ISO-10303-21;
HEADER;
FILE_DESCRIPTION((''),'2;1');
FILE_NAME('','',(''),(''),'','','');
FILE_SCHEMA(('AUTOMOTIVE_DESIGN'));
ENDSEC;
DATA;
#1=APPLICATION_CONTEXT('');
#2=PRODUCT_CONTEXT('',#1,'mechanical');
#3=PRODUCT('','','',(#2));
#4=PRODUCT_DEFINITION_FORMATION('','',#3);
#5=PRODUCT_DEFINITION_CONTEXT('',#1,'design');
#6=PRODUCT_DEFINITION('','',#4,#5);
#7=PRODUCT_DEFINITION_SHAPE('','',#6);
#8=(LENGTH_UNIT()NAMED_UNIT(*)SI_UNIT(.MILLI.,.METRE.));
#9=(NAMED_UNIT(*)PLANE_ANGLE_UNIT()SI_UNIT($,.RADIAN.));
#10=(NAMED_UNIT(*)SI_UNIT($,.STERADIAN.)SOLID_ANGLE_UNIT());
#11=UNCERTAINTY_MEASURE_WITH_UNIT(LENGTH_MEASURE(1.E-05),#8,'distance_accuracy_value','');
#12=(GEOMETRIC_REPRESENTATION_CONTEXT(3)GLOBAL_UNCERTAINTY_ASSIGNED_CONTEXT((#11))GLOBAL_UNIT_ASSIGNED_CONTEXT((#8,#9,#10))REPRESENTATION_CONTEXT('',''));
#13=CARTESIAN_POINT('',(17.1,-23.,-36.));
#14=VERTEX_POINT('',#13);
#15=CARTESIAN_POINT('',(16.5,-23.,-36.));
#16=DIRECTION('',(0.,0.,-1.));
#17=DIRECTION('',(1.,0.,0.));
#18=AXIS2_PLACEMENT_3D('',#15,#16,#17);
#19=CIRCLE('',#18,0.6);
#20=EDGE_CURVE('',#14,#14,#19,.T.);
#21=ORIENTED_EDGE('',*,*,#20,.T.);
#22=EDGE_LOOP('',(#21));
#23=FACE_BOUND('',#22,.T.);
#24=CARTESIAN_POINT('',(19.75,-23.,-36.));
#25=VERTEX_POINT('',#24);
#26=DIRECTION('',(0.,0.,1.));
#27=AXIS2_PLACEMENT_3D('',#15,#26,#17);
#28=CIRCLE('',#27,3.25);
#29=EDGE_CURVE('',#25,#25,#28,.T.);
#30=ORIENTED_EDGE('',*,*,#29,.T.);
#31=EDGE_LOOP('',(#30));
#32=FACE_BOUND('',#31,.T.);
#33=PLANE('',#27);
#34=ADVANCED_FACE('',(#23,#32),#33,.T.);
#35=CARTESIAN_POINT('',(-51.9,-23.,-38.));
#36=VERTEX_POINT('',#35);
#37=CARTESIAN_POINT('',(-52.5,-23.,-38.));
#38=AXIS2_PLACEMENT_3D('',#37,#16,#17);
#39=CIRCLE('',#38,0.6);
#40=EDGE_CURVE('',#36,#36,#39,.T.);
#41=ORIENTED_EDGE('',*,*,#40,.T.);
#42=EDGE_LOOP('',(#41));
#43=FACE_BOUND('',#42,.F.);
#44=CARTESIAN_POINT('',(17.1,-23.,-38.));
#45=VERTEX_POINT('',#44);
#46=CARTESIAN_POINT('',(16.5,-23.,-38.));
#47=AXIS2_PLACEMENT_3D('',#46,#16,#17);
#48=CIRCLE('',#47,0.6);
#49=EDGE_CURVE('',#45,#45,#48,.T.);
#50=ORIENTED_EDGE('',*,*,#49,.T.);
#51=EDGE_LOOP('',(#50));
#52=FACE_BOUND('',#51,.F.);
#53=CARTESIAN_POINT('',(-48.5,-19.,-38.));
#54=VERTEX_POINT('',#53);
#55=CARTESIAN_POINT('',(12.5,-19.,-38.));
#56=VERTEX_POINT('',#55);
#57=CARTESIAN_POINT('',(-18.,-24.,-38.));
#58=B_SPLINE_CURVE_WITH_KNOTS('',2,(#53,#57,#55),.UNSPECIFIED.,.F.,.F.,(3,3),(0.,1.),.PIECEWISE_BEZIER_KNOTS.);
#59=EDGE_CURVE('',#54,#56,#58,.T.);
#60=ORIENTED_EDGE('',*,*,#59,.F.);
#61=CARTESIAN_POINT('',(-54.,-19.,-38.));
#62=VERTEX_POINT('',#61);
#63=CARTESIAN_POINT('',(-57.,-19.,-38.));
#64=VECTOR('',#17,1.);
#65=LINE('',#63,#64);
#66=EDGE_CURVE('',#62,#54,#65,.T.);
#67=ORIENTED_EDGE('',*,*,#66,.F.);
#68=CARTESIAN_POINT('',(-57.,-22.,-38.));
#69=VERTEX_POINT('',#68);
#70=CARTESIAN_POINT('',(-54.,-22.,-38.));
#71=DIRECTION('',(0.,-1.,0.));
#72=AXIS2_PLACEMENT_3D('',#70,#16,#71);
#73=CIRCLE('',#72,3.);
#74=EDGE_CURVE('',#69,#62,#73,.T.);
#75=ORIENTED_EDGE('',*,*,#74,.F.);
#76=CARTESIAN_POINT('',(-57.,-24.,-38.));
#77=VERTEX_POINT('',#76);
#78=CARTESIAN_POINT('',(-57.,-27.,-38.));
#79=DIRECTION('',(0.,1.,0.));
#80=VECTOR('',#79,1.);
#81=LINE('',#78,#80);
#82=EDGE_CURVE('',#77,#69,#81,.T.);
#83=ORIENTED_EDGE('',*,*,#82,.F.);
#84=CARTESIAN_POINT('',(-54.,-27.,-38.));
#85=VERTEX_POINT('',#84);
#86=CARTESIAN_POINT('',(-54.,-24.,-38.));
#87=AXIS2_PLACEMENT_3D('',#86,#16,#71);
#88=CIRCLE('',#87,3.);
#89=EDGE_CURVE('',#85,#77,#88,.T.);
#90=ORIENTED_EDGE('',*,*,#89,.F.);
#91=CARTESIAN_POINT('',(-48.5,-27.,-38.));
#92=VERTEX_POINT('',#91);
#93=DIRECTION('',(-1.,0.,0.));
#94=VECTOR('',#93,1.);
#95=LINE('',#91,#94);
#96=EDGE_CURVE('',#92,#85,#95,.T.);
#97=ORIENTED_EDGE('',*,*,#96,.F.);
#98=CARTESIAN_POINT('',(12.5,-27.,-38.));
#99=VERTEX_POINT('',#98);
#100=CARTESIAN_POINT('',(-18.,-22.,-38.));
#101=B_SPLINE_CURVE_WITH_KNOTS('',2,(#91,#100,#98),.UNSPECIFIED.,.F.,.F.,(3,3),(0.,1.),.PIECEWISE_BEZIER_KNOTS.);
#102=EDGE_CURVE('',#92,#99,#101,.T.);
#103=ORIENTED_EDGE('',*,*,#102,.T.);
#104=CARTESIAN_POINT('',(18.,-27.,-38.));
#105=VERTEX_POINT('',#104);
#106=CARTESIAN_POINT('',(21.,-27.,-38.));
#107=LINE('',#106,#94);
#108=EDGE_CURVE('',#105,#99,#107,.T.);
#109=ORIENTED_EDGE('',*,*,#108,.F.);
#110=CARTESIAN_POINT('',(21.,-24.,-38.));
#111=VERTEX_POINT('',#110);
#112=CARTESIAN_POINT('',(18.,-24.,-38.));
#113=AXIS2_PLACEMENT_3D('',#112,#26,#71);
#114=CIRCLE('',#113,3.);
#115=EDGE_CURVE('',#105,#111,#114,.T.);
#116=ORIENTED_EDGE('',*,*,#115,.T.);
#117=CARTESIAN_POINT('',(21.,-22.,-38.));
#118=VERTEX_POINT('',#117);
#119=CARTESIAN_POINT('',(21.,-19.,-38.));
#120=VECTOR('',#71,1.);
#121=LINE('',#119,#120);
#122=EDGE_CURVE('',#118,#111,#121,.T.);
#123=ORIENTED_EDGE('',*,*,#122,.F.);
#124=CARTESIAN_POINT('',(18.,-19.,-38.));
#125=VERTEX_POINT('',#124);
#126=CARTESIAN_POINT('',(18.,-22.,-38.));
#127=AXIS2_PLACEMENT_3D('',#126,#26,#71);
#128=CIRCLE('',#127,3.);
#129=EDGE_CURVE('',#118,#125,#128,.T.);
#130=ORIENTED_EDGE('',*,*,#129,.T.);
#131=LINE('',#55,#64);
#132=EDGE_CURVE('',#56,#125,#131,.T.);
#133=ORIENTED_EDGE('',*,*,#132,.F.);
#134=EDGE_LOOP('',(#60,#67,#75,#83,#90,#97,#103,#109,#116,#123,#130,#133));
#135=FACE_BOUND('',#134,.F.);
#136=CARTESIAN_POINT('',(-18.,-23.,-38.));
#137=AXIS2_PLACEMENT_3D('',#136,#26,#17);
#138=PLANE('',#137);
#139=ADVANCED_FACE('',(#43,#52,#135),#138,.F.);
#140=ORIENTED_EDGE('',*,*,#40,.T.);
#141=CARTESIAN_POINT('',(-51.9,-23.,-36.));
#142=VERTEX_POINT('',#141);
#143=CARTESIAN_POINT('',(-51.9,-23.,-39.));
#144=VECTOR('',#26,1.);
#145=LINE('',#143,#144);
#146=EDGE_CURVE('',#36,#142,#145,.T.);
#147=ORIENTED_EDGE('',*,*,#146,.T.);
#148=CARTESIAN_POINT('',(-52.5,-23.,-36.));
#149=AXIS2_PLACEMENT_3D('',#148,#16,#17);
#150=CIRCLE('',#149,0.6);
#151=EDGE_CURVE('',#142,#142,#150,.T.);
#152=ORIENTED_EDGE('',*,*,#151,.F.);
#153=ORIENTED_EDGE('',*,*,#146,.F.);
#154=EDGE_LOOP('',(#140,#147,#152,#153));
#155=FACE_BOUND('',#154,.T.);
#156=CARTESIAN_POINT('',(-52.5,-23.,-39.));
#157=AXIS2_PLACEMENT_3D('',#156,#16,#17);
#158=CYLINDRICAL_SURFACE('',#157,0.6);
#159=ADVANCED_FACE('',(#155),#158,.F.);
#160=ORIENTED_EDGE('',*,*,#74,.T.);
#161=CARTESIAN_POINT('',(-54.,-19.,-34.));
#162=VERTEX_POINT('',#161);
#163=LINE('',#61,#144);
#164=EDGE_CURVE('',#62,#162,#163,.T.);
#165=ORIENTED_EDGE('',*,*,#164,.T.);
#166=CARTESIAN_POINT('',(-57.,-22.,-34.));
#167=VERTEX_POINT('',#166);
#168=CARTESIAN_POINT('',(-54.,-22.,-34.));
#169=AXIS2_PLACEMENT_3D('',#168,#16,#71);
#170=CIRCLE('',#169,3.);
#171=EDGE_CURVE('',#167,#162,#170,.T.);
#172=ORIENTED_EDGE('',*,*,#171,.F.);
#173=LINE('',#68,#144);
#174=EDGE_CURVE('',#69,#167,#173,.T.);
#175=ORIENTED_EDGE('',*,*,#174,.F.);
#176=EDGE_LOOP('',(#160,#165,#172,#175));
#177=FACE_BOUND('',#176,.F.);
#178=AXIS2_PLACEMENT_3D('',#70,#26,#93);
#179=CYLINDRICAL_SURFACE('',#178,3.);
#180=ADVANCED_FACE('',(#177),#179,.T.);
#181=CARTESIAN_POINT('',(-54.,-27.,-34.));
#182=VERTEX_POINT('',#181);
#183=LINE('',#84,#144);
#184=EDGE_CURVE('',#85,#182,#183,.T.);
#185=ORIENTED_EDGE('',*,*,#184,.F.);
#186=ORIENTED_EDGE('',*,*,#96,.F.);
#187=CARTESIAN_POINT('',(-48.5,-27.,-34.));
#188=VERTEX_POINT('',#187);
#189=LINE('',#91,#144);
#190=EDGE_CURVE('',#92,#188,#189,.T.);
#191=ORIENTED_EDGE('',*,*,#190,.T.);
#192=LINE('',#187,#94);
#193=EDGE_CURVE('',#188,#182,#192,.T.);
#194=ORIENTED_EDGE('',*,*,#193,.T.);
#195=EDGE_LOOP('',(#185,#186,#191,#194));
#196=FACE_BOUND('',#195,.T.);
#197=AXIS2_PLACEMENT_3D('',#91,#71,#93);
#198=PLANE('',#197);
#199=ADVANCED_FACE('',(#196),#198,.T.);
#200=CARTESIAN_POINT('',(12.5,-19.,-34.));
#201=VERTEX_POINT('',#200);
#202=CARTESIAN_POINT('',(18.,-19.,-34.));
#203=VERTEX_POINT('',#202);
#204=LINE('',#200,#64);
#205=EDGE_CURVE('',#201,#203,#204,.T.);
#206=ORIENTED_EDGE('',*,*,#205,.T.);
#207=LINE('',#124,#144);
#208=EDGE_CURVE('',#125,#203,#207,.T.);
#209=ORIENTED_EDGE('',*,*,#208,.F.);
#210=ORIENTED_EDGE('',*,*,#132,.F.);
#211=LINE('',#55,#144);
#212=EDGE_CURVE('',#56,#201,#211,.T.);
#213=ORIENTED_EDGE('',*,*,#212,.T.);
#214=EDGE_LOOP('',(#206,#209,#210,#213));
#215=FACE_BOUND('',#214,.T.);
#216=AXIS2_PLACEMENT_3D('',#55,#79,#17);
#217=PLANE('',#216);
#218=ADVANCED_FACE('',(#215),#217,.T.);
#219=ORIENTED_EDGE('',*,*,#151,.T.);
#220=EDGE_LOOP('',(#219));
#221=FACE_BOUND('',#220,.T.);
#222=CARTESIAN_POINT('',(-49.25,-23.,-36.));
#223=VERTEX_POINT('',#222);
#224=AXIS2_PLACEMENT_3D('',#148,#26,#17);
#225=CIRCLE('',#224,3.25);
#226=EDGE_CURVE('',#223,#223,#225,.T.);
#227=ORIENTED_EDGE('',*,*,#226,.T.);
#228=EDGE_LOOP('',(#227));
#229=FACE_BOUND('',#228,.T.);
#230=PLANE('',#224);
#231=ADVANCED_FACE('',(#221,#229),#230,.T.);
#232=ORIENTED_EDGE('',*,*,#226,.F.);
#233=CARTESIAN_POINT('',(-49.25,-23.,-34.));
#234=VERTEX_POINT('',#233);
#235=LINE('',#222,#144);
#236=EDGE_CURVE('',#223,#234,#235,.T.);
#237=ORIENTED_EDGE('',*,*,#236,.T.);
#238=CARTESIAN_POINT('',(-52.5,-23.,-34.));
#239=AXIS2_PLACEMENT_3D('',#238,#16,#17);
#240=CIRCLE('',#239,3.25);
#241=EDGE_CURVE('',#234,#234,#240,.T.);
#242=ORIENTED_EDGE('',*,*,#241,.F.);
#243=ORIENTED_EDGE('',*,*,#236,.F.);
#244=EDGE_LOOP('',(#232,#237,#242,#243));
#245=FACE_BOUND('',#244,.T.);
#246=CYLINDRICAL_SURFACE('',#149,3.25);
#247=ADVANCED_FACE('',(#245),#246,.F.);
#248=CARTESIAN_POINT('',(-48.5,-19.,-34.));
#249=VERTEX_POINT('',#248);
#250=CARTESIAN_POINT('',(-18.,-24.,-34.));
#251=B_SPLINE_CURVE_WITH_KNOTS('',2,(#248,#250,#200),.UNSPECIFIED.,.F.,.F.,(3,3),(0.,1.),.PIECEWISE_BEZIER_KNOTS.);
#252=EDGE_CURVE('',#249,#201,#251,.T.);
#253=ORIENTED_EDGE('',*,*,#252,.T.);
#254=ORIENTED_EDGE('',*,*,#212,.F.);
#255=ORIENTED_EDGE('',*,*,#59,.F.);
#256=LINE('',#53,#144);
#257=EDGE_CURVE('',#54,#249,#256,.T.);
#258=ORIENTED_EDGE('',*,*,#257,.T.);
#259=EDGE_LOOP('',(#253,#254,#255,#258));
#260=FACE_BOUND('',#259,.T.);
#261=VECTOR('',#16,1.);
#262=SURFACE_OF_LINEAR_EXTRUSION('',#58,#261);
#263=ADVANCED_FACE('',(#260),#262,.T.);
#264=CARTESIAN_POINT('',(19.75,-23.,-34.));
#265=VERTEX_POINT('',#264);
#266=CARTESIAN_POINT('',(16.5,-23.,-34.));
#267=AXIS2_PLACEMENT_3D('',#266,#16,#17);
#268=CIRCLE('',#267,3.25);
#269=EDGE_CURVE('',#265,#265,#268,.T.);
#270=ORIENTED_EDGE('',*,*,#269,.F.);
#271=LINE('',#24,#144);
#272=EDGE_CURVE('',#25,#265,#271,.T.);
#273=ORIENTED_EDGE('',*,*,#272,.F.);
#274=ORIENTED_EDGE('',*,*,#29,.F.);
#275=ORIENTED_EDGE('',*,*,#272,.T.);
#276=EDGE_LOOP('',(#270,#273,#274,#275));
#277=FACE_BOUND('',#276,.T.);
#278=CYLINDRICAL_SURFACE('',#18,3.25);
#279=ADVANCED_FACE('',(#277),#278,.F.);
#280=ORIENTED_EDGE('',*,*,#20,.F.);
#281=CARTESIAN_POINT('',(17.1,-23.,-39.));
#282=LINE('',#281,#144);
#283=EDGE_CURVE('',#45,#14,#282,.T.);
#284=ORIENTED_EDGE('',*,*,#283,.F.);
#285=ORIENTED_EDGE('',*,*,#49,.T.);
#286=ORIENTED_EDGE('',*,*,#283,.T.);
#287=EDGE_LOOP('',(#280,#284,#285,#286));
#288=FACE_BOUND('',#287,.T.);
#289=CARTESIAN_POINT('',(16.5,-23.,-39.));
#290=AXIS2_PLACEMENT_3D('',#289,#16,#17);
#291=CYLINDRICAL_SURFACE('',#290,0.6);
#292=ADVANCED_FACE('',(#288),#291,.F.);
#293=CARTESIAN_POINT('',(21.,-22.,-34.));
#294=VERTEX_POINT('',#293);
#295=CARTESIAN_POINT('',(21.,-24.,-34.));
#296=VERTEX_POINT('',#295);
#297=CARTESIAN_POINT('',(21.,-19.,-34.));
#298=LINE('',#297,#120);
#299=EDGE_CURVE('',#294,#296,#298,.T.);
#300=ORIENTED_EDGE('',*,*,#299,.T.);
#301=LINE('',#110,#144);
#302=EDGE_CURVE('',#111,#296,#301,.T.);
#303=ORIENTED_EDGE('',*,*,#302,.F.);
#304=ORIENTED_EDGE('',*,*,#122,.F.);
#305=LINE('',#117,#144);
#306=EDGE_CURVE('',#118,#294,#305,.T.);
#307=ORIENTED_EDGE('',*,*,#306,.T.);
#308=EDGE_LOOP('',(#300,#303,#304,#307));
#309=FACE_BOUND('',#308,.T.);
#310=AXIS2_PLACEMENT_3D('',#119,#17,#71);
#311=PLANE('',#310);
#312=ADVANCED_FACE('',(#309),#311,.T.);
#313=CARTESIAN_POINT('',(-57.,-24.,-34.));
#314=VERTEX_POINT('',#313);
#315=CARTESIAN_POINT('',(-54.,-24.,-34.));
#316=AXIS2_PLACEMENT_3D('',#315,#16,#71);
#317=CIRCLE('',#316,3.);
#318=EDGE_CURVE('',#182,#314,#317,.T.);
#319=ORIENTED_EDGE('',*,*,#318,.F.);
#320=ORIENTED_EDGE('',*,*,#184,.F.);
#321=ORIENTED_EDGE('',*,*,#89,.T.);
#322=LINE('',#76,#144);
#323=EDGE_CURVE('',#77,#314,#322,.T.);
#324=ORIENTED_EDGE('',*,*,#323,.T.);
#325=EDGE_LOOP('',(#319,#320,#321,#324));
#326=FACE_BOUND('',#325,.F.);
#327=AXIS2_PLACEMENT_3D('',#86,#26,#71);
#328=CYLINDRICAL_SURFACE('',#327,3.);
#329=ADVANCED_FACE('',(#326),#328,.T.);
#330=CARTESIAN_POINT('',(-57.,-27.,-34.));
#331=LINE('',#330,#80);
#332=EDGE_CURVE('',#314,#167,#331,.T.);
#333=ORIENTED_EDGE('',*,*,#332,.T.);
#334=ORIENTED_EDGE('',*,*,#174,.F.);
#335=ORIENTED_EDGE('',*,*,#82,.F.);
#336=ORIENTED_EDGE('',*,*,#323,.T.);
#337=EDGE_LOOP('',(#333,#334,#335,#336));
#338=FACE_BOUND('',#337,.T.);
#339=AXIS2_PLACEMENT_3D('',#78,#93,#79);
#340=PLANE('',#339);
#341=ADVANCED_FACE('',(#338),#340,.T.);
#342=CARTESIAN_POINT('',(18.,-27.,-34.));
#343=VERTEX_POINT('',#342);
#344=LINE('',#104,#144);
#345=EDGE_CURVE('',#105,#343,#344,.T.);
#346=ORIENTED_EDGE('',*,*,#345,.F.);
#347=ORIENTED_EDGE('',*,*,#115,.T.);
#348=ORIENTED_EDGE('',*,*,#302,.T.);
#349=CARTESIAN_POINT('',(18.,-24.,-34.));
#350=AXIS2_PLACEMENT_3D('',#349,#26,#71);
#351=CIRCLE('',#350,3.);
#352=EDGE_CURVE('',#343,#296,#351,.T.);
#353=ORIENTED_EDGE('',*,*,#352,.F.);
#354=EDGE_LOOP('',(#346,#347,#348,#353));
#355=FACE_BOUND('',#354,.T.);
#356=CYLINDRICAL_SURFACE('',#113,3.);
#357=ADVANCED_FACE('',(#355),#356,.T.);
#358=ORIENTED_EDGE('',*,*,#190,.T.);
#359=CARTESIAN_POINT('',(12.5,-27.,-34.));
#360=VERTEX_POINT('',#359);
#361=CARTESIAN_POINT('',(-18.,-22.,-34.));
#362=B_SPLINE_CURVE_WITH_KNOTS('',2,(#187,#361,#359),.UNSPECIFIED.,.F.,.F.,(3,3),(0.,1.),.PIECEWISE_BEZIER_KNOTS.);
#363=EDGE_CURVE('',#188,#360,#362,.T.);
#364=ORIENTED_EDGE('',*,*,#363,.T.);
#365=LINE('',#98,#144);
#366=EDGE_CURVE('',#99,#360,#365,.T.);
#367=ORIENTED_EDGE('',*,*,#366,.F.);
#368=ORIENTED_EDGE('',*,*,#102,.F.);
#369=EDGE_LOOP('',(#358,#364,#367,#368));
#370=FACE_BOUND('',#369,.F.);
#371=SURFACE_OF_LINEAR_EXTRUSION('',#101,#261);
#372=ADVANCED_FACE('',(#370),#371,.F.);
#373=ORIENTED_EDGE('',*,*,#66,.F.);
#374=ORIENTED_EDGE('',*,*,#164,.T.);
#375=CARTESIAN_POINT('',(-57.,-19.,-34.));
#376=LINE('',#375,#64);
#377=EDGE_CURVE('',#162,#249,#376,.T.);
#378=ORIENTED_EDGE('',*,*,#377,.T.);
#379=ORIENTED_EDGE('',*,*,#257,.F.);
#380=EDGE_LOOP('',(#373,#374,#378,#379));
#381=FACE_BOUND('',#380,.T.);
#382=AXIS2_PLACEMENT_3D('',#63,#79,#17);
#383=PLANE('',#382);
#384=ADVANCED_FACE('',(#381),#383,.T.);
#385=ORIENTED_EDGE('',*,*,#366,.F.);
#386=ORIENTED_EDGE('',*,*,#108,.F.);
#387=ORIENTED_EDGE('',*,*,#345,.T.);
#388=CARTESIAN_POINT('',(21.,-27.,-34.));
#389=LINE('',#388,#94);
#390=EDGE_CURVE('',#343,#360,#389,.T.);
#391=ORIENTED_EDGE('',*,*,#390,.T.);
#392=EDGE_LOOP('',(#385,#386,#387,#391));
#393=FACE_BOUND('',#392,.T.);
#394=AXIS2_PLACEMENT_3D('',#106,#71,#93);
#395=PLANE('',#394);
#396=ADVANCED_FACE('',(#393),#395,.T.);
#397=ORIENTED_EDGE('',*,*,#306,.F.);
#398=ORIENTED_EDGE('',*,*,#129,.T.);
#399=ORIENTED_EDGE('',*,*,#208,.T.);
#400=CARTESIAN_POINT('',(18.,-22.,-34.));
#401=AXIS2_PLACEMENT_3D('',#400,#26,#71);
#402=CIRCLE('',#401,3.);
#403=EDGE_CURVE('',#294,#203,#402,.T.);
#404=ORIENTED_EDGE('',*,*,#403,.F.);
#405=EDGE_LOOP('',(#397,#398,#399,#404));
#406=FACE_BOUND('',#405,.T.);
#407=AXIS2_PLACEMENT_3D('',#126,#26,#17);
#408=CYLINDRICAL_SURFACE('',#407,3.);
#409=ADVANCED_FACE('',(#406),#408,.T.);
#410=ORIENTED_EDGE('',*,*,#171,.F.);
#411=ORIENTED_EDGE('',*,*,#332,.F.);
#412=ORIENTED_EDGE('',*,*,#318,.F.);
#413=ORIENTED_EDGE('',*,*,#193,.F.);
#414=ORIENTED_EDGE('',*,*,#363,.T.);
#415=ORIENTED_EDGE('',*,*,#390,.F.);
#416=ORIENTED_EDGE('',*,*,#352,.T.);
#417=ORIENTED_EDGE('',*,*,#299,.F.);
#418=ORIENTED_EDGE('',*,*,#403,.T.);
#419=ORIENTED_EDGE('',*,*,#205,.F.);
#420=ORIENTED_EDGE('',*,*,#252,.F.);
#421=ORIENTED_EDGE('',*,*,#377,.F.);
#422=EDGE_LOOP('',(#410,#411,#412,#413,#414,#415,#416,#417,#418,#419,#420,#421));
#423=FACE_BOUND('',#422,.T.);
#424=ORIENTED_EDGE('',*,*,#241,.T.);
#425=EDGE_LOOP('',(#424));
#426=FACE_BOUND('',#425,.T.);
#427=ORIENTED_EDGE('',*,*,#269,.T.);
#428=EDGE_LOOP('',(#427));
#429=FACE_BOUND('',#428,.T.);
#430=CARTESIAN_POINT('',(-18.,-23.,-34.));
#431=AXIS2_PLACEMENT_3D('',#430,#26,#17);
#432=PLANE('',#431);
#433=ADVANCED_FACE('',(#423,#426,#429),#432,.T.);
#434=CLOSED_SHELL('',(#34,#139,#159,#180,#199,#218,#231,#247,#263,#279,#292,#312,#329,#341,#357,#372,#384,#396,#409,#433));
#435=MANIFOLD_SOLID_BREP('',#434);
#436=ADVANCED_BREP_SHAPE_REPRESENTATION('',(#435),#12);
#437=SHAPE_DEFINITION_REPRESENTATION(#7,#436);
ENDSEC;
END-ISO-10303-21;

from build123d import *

# Parameters (mm, degrees)
CYLINDER134_R     = 3.25
CYLINDER134_DEPTH = 3.5
CYLINDER136_R     = 0.6
CYLINDER136_DEPTH = 9.5
CYLINDER135_R     = 0.6
CYLINDER135_DEPTH = 9.5
CYLINDER133_R     = 3.25
CYLINDER133_DEPTH = 3.5
PAD012_DEPTH      = 4
FILLET076_R       = 3


with BuildPart() as zylinder134:
    # Cylinder134 → Cylinder134 (new body)
    with BuildSketch(Plane(origin=(-52.5, 23, -36), x_dir=(1, 0, 0), z_dir=(0, 0, 1))):
        Circle(CYLINDER134_R)
    extrude(amount=CYLINDER134_DEPTH)


with BuildPart() as zylinder136:
    # Cylinder136 → Cylinder136 (new body)
    with BuildSketch(Plane(origin=(16.5, 23, -39), x_dir=(1, 0, 0), z_dir=(0, 0, 1))):
        Circle(CYLINDER136_R)
    extrude(amount=CYLINDER136_DEPTH)


with BuildPart() as zylinder135:
    # Cylinder135 → Cylinder135 (new body)
    with BuildSketch(Plane(origin=(-52.5, 23, -39), x_dir=(1, 0, 0), z_dir=(0, 0, 1))):
        Circle(CYLINDER135_R)
    extrude(amount=CYLINDER135_DEPTH)


with BuildPart() as fusion087:
    # Cylinder133 → Cylinder133 (new body)
    with BuildSketch(Plane(origin=(16.5, 23, -36), x_dir=(1, 0, 0), z_dir=(0, 0, 1))):
        Circle(CYLINDER133_R)
    extrude(amount=CYLINDER133_DEPTH)

    # Fusion087: union Zylinder134, Zylinder136, Zylinder135
    add(zylinder134.part)
    add(zylinder136.part)
    add(zylinder135.part)


with BuildPart() as fillet076:
    # Sketch012 → Pad012 (new body)
    with BuildSketch(Plane.XY):
        with BuildLine():
            add(Edge.make_bspline(
                [(-48.5, 19), (-18, 24), (12.5, 19)],
                knots=[0, 0, 0, 1, 1, 1], degree=2))
            Line((-48.5, 19), (-57, 19))
            Line((-57, 19), (-57, 27))
            Line((-57, 27), (-48.5, 27))
            add(Edge.make_bspline(
                [(-48.5, 27), (-18, 22), (12.5, 27)],
                knots=[0, 0, 0, 1, 1, 1], degree=2))
            Line((12.5, 27), (21, 27))
            Line((21, 27), (21, 19))
            Line((21, 19), (12.5, 19))
        make_face()
    extrude(amount=PAD012_DEPTH)


with BuildPart() as fillet076_1:
    # Body003 placement: moved
    add(fillet076.part.moved(Location((0, 0, -38))))

    # Cut065: cut Fusion087
    add(fusion087.part, mode=Mode.SUBTRACT)

    # Fillet076
    fillet076_edges = [fillet076_1.edges().sort_by_distance(p)[0] for p in [
        (-57, 19, -36),
        (21, 19, -36),
        (-57, 27, -36),
        (21, 27, -36),
    ]]
    fillet(fillet076_edges, radius=FILLET076_R)


with BuildPart() as fillet076_2:
    # Fillet076 placement: moved
    add(fillet076_1.part.moved(Location((0, -46, 0))))


solid = fillet076_2.part
